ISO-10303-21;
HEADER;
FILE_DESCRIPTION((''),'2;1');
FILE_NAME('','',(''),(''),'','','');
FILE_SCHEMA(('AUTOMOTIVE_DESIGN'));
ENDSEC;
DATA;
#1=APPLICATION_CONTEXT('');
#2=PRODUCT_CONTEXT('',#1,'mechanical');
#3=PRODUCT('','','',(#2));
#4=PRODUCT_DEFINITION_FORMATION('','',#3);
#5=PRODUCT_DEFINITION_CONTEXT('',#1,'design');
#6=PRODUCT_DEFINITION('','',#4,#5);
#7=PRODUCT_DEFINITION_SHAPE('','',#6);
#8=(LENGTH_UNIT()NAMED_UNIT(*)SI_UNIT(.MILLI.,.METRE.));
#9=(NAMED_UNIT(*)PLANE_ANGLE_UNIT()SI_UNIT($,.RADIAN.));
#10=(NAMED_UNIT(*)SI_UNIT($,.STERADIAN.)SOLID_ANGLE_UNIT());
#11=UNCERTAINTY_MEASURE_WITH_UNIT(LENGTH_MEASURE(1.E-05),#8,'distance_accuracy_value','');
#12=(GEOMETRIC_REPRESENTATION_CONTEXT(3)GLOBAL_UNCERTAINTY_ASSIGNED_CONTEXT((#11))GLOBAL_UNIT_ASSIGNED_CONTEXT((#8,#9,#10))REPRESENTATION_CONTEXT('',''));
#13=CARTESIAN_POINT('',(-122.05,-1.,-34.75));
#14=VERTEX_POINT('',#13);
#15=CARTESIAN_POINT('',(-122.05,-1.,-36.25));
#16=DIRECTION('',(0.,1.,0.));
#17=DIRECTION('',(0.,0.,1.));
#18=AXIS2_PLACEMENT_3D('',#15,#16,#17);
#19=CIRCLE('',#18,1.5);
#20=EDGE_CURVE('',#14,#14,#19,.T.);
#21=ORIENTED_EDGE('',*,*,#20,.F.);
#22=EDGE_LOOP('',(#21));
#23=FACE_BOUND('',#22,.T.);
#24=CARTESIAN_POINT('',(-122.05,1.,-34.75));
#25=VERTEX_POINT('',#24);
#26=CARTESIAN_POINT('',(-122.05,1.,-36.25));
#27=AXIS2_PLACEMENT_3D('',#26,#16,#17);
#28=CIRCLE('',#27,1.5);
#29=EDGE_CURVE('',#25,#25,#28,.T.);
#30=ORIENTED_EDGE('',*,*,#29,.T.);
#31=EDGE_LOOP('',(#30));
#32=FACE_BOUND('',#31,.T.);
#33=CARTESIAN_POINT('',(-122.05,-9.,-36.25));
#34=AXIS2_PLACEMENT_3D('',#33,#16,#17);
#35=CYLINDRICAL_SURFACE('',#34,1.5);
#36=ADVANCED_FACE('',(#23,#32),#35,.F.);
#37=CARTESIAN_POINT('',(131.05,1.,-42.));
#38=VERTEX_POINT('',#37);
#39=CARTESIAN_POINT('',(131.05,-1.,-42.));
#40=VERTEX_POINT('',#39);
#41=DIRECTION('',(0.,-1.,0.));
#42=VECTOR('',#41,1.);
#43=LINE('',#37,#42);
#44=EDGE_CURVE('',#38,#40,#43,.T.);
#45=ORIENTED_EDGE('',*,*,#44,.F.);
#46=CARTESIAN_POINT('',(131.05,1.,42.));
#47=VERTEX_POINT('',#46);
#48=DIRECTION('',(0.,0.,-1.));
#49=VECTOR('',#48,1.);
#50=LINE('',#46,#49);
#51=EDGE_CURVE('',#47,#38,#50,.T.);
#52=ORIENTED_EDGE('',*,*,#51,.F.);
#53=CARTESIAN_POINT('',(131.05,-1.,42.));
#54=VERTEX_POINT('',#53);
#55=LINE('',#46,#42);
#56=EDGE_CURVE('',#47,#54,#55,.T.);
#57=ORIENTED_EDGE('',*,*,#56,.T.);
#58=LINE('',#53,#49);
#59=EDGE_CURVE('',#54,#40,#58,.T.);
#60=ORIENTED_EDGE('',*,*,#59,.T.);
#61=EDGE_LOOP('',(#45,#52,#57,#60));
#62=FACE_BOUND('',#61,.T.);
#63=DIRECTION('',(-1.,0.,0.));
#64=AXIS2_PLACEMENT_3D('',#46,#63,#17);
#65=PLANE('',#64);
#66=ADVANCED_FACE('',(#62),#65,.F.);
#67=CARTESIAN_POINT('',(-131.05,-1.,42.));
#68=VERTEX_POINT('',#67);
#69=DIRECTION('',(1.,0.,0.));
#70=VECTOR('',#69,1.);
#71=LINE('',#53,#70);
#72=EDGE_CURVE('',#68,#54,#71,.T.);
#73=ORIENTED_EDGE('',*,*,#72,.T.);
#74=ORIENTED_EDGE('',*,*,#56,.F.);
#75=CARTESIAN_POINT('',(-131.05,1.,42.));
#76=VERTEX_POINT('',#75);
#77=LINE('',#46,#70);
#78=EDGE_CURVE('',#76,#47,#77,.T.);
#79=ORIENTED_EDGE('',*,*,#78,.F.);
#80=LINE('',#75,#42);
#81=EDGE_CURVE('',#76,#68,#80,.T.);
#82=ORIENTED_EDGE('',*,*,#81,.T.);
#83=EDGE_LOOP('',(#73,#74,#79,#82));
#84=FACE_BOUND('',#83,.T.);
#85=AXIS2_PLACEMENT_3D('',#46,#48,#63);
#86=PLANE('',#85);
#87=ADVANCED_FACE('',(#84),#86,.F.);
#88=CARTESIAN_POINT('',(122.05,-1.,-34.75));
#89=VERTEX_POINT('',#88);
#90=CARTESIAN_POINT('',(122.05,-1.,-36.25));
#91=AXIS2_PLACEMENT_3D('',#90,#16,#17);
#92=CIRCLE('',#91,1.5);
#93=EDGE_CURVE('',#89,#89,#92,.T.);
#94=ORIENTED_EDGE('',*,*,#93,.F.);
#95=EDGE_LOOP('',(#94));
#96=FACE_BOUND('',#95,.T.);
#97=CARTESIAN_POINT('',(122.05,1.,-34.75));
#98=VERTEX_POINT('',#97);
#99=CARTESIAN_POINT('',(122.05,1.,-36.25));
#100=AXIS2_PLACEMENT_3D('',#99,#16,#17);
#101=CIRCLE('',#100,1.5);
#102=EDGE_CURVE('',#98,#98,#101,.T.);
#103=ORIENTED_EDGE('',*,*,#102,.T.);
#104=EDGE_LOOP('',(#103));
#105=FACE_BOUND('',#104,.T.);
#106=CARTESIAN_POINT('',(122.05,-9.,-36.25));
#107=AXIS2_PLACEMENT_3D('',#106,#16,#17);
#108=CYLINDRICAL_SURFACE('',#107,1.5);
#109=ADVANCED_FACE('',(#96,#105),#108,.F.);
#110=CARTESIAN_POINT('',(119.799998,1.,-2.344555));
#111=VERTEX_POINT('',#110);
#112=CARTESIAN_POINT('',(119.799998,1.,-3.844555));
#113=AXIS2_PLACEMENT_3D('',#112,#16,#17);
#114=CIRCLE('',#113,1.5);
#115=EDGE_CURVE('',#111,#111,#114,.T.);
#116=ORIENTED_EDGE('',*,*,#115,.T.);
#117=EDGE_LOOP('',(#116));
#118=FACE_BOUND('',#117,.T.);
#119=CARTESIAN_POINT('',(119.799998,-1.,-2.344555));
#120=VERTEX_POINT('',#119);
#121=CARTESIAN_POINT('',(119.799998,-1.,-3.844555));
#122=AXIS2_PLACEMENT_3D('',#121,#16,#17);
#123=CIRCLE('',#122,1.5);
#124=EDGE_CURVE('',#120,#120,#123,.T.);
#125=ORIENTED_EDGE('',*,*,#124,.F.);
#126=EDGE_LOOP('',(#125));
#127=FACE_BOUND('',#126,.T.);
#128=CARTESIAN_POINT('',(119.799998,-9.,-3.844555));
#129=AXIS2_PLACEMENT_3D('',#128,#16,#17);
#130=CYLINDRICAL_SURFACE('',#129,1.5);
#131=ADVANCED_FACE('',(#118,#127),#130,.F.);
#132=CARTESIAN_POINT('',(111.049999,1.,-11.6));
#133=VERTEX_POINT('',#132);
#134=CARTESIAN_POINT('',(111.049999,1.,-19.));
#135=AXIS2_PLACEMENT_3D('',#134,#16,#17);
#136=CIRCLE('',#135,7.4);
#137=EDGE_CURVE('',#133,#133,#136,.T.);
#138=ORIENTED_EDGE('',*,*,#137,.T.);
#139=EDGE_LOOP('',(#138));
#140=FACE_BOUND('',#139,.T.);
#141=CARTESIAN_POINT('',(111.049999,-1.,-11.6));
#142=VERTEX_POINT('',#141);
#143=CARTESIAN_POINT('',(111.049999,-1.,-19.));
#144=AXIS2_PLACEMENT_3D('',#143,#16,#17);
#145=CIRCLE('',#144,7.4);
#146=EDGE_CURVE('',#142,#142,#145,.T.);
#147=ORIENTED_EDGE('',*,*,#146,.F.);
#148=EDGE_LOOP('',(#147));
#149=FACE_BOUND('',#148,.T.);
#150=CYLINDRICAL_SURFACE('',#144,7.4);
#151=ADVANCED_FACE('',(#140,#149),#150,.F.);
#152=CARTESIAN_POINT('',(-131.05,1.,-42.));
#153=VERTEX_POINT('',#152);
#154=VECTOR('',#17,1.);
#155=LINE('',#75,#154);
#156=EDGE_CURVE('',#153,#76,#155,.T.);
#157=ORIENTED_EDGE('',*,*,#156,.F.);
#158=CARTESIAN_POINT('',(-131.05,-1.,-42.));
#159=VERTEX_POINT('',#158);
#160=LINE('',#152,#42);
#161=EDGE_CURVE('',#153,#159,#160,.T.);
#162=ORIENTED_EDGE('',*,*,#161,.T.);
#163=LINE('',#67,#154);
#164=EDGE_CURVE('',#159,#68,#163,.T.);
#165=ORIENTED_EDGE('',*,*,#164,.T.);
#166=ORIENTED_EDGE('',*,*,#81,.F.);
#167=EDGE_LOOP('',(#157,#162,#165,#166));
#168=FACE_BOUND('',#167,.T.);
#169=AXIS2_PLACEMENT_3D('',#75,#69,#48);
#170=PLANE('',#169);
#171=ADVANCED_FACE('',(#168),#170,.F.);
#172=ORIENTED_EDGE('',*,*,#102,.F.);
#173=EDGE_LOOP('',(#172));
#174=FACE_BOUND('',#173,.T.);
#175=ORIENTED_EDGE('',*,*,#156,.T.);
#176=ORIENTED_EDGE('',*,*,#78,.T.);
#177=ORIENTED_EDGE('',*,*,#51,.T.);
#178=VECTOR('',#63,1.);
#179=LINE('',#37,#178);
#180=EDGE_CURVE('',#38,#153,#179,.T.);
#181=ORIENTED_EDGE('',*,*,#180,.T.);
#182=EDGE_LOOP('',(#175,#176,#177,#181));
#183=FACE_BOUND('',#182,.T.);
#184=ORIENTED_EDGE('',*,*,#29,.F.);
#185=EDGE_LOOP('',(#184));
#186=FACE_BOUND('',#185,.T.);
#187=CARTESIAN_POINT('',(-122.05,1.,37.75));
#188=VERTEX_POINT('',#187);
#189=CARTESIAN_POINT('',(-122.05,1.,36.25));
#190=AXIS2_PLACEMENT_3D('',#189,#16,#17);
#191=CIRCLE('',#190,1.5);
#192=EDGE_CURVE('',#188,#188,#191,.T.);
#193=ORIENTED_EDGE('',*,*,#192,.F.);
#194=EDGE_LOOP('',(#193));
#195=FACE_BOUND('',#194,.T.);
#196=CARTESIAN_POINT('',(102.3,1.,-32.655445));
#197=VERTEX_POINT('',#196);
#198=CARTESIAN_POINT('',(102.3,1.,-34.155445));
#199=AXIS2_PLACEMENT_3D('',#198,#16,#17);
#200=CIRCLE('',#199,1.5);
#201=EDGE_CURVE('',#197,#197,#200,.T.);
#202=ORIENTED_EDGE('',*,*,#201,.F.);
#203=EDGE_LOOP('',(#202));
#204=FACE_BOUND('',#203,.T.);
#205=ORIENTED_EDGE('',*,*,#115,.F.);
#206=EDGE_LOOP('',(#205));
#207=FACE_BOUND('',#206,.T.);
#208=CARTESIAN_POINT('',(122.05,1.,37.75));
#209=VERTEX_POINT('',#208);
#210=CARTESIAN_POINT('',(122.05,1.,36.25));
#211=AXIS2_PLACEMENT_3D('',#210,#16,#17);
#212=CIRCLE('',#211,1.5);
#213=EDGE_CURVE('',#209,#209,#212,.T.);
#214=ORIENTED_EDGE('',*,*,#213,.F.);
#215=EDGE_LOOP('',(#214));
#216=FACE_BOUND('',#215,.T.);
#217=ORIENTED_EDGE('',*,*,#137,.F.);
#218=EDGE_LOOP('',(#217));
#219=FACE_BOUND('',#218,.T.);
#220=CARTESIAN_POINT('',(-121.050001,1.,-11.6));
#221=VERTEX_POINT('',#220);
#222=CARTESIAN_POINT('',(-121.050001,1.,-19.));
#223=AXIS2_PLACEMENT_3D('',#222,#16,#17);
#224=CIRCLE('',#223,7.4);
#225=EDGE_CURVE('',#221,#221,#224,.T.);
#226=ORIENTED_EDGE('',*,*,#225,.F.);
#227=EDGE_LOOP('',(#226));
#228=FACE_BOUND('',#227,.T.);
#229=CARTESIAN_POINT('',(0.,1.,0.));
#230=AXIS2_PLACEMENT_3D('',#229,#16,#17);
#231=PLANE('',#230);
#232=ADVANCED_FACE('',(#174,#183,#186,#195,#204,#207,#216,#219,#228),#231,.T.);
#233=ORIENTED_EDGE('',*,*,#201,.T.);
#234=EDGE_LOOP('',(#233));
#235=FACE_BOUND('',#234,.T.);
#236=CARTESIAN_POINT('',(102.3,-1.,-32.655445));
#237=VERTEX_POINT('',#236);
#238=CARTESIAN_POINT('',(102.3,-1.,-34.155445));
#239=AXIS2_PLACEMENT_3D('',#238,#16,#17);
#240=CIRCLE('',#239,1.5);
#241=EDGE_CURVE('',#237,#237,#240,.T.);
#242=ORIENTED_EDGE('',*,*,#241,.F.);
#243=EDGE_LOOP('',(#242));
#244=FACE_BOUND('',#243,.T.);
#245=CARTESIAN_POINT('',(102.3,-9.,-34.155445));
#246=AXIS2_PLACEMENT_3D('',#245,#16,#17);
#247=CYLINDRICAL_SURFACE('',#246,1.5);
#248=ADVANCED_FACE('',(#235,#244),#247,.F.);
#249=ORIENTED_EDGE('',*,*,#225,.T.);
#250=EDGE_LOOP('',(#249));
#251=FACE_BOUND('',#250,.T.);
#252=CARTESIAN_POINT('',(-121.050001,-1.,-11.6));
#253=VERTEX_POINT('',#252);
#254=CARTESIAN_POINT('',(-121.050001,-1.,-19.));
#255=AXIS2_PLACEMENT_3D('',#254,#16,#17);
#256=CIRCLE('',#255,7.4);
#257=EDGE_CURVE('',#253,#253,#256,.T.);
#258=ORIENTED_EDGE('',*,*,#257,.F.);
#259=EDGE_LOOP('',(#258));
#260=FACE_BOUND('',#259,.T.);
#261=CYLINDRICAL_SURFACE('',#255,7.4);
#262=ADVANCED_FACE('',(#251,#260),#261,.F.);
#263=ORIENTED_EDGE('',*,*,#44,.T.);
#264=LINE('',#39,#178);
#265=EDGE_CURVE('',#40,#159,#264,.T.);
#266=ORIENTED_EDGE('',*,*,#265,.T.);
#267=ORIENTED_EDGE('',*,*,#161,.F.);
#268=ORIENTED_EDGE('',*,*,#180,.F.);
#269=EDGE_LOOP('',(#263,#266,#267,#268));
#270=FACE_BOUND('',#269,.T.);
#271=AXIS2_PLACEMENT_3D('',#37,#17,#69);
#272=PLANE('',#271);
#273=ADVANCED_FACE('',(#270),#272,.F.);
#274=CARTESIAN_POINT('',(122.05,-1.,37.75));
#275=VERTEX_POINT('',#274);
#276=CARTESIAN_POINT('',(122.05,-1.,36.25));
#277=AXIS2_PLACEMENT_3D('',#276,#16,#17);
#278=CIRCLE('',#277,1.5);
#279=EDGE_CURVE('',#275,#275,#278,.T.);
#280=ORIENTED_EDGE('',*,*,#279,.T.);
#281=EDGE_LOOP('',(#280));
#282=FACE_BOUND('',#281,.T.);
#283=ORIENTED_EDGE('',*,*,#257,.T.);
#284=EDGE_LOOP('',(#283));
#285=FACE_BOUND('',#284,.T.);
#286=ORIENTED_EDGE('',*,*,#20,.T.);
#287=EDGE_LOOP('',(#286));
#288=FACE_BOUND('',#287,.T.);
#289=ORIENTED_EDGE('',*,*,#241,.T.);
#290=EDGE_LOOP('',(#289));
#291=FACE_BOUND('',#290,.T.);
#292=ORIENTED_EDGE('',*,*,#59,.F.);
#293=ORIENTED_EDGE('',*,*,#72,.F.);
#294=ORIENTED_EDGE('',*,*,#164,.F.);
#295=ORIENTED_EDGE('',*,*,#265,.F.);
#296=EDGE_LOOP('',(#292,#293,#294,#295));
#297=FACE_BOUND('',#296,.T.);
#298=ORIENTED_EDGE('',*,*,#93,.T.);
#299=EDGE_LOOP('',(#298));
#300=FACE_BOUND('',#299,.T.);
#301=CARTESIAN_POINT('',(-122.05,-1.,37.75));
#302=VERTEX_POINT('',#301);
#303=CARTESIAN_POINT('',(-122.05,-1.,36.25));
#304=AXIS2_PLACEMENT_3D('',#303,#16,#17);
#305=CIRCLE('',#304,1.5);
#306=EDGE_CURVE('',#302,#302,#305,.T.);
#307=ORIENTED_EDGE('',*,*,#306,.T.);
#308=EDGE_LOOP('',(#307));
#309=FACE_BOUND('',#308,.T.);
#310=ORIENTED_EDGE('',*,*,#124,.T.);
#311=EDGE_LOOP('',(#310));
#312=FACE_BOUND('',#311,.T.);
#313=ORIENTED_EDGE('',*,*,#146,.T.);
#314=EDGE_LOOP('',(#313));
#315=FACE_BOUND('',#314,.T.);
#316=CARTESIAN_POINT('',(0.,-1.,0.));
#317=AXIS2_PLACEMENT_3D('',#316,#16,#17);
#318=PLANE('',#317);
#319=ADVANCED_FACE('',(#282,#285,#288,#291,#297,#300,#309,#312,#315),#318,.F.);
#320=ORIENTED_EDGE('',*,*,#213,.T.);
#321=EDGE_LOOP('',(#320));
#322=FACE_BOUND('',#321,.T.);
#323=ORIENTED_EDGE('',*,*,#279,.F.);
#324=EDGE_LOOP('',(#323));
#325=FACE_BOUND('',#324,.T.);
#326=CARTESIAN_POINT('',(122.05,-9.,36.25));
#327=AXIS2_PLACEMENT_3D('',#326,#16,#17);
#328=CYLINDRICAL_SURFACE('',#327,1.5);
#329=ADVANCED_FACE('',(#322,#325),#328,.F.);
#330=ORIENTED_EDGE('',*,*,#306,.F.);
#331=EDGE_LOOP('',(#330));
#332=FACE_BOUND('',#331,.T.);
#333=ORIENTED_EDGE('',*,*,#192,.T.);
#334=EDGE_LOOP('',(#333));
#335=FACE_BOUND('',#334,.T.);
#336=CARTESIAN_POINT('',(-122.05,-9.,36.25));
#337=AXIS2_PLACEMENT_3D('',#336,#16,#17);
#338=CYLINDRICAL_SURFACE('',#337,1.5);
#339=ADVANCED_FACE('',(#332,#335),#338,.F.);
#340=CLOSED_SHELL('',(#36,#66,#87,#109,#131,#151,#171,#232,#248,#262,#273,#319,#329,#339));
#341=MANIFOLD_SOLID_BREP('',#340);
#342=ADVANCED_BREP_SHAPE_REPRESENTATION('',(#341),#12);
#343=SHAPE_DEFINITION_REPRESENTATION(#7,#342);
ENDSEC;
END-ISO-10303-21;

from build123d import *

# Parameters (mm, degrees)
SKETCH_1_W         = 262.1
SKETCH_1_H         = 84
EXTRUDE_1_DEPTH    = 1
SKETCH1_R          = 1.5
CUT_EXTRUDE1_DEPTH = 10
SKETCH4_R          = 7.4
CUT_EXTRUDE3_DEPTH = 138.630310978
SKETCH5_R          = 1.5
CUT_EXTRUDE4_DEPTH = 10


with BuildPart() as part:
    # 草图1 → 凸台-拉伸1 (new, symmetric)
    with BuildSketch(Plane(origin=(0, 0, 0), x_dir=(1, 0, 0), z_dir=(0, 1, 0))):
        Rectangle(SKETCH_1_W, SKETCH_1_H)
    extrude(amount=EXTRUDE_1_DEPTH, both=True)

    # Sketch1 → Cut-Extrude1 (cut)
    with BuildSketch(Plane(origin=(0, 1, 0), x_dir=(1, 0, 0), z_dir=(0, 1, 0))):
        with Locations(Location((-122.05, 36.25, 0), (0, 0, 270))):
            Circle(SKETCH1_R)
        with Locations(Location((-122.05, -36.25, 0), (0, 0, 270))):
            Circle(SKETCH1_R)
        with Locations(Location((122.05, -36.25, 0), (0, 0, 270))):
            Circle(SKETCH1_R)
        with Locations(Location((122.05, 36.25, 0), (0, 0, 270))):
            Circle(SKETCH1_R)
    extrude(amount=-CUT_EXTRUDE1_DEPTH, mode=Mode.SUBTRACT)

    # Sketch4 → Cut-Extrude3 (cut, through all)
    with BuildSketch(Plane(origin=(0, 1, 0), x_dir=(1, 0, 0), z_dir=(0, 1, 0))):
        with Locations(Location((-121.050000944, 19, 0), (0, 0, 270))):
            Circle(SKETCH4_R)
        with Locations(Location((111.049999056, 19, 0), (0, 0, 270))):
            Circle(SKETCH4_R)
    extrude(amount=-CUT_EXTRUDE3_DEPTH, mode=Mode.SUBTRACT)

    # Sketch5 → Cut-Extrude4 (cut)
    with BuildSketch(Plane(origin=(0, 1, 0), x_dir=(1, 0, 0), z_dir=(0, 1, 0))):
        with Locations(Location((119.799998238, 3.844554962, 0), (0, 0, 270))):
            Circle(SKETCH5_R)
        with Locations(Location((102.299999873, 34.155445038, 0), (0, 0, 270))):
            Circle(SKETCH5_R)
    extrude(amount=-CUT_EXTRUDE4_DEPTH, mode=Mode.SUBTRACT)


solid = part.part
